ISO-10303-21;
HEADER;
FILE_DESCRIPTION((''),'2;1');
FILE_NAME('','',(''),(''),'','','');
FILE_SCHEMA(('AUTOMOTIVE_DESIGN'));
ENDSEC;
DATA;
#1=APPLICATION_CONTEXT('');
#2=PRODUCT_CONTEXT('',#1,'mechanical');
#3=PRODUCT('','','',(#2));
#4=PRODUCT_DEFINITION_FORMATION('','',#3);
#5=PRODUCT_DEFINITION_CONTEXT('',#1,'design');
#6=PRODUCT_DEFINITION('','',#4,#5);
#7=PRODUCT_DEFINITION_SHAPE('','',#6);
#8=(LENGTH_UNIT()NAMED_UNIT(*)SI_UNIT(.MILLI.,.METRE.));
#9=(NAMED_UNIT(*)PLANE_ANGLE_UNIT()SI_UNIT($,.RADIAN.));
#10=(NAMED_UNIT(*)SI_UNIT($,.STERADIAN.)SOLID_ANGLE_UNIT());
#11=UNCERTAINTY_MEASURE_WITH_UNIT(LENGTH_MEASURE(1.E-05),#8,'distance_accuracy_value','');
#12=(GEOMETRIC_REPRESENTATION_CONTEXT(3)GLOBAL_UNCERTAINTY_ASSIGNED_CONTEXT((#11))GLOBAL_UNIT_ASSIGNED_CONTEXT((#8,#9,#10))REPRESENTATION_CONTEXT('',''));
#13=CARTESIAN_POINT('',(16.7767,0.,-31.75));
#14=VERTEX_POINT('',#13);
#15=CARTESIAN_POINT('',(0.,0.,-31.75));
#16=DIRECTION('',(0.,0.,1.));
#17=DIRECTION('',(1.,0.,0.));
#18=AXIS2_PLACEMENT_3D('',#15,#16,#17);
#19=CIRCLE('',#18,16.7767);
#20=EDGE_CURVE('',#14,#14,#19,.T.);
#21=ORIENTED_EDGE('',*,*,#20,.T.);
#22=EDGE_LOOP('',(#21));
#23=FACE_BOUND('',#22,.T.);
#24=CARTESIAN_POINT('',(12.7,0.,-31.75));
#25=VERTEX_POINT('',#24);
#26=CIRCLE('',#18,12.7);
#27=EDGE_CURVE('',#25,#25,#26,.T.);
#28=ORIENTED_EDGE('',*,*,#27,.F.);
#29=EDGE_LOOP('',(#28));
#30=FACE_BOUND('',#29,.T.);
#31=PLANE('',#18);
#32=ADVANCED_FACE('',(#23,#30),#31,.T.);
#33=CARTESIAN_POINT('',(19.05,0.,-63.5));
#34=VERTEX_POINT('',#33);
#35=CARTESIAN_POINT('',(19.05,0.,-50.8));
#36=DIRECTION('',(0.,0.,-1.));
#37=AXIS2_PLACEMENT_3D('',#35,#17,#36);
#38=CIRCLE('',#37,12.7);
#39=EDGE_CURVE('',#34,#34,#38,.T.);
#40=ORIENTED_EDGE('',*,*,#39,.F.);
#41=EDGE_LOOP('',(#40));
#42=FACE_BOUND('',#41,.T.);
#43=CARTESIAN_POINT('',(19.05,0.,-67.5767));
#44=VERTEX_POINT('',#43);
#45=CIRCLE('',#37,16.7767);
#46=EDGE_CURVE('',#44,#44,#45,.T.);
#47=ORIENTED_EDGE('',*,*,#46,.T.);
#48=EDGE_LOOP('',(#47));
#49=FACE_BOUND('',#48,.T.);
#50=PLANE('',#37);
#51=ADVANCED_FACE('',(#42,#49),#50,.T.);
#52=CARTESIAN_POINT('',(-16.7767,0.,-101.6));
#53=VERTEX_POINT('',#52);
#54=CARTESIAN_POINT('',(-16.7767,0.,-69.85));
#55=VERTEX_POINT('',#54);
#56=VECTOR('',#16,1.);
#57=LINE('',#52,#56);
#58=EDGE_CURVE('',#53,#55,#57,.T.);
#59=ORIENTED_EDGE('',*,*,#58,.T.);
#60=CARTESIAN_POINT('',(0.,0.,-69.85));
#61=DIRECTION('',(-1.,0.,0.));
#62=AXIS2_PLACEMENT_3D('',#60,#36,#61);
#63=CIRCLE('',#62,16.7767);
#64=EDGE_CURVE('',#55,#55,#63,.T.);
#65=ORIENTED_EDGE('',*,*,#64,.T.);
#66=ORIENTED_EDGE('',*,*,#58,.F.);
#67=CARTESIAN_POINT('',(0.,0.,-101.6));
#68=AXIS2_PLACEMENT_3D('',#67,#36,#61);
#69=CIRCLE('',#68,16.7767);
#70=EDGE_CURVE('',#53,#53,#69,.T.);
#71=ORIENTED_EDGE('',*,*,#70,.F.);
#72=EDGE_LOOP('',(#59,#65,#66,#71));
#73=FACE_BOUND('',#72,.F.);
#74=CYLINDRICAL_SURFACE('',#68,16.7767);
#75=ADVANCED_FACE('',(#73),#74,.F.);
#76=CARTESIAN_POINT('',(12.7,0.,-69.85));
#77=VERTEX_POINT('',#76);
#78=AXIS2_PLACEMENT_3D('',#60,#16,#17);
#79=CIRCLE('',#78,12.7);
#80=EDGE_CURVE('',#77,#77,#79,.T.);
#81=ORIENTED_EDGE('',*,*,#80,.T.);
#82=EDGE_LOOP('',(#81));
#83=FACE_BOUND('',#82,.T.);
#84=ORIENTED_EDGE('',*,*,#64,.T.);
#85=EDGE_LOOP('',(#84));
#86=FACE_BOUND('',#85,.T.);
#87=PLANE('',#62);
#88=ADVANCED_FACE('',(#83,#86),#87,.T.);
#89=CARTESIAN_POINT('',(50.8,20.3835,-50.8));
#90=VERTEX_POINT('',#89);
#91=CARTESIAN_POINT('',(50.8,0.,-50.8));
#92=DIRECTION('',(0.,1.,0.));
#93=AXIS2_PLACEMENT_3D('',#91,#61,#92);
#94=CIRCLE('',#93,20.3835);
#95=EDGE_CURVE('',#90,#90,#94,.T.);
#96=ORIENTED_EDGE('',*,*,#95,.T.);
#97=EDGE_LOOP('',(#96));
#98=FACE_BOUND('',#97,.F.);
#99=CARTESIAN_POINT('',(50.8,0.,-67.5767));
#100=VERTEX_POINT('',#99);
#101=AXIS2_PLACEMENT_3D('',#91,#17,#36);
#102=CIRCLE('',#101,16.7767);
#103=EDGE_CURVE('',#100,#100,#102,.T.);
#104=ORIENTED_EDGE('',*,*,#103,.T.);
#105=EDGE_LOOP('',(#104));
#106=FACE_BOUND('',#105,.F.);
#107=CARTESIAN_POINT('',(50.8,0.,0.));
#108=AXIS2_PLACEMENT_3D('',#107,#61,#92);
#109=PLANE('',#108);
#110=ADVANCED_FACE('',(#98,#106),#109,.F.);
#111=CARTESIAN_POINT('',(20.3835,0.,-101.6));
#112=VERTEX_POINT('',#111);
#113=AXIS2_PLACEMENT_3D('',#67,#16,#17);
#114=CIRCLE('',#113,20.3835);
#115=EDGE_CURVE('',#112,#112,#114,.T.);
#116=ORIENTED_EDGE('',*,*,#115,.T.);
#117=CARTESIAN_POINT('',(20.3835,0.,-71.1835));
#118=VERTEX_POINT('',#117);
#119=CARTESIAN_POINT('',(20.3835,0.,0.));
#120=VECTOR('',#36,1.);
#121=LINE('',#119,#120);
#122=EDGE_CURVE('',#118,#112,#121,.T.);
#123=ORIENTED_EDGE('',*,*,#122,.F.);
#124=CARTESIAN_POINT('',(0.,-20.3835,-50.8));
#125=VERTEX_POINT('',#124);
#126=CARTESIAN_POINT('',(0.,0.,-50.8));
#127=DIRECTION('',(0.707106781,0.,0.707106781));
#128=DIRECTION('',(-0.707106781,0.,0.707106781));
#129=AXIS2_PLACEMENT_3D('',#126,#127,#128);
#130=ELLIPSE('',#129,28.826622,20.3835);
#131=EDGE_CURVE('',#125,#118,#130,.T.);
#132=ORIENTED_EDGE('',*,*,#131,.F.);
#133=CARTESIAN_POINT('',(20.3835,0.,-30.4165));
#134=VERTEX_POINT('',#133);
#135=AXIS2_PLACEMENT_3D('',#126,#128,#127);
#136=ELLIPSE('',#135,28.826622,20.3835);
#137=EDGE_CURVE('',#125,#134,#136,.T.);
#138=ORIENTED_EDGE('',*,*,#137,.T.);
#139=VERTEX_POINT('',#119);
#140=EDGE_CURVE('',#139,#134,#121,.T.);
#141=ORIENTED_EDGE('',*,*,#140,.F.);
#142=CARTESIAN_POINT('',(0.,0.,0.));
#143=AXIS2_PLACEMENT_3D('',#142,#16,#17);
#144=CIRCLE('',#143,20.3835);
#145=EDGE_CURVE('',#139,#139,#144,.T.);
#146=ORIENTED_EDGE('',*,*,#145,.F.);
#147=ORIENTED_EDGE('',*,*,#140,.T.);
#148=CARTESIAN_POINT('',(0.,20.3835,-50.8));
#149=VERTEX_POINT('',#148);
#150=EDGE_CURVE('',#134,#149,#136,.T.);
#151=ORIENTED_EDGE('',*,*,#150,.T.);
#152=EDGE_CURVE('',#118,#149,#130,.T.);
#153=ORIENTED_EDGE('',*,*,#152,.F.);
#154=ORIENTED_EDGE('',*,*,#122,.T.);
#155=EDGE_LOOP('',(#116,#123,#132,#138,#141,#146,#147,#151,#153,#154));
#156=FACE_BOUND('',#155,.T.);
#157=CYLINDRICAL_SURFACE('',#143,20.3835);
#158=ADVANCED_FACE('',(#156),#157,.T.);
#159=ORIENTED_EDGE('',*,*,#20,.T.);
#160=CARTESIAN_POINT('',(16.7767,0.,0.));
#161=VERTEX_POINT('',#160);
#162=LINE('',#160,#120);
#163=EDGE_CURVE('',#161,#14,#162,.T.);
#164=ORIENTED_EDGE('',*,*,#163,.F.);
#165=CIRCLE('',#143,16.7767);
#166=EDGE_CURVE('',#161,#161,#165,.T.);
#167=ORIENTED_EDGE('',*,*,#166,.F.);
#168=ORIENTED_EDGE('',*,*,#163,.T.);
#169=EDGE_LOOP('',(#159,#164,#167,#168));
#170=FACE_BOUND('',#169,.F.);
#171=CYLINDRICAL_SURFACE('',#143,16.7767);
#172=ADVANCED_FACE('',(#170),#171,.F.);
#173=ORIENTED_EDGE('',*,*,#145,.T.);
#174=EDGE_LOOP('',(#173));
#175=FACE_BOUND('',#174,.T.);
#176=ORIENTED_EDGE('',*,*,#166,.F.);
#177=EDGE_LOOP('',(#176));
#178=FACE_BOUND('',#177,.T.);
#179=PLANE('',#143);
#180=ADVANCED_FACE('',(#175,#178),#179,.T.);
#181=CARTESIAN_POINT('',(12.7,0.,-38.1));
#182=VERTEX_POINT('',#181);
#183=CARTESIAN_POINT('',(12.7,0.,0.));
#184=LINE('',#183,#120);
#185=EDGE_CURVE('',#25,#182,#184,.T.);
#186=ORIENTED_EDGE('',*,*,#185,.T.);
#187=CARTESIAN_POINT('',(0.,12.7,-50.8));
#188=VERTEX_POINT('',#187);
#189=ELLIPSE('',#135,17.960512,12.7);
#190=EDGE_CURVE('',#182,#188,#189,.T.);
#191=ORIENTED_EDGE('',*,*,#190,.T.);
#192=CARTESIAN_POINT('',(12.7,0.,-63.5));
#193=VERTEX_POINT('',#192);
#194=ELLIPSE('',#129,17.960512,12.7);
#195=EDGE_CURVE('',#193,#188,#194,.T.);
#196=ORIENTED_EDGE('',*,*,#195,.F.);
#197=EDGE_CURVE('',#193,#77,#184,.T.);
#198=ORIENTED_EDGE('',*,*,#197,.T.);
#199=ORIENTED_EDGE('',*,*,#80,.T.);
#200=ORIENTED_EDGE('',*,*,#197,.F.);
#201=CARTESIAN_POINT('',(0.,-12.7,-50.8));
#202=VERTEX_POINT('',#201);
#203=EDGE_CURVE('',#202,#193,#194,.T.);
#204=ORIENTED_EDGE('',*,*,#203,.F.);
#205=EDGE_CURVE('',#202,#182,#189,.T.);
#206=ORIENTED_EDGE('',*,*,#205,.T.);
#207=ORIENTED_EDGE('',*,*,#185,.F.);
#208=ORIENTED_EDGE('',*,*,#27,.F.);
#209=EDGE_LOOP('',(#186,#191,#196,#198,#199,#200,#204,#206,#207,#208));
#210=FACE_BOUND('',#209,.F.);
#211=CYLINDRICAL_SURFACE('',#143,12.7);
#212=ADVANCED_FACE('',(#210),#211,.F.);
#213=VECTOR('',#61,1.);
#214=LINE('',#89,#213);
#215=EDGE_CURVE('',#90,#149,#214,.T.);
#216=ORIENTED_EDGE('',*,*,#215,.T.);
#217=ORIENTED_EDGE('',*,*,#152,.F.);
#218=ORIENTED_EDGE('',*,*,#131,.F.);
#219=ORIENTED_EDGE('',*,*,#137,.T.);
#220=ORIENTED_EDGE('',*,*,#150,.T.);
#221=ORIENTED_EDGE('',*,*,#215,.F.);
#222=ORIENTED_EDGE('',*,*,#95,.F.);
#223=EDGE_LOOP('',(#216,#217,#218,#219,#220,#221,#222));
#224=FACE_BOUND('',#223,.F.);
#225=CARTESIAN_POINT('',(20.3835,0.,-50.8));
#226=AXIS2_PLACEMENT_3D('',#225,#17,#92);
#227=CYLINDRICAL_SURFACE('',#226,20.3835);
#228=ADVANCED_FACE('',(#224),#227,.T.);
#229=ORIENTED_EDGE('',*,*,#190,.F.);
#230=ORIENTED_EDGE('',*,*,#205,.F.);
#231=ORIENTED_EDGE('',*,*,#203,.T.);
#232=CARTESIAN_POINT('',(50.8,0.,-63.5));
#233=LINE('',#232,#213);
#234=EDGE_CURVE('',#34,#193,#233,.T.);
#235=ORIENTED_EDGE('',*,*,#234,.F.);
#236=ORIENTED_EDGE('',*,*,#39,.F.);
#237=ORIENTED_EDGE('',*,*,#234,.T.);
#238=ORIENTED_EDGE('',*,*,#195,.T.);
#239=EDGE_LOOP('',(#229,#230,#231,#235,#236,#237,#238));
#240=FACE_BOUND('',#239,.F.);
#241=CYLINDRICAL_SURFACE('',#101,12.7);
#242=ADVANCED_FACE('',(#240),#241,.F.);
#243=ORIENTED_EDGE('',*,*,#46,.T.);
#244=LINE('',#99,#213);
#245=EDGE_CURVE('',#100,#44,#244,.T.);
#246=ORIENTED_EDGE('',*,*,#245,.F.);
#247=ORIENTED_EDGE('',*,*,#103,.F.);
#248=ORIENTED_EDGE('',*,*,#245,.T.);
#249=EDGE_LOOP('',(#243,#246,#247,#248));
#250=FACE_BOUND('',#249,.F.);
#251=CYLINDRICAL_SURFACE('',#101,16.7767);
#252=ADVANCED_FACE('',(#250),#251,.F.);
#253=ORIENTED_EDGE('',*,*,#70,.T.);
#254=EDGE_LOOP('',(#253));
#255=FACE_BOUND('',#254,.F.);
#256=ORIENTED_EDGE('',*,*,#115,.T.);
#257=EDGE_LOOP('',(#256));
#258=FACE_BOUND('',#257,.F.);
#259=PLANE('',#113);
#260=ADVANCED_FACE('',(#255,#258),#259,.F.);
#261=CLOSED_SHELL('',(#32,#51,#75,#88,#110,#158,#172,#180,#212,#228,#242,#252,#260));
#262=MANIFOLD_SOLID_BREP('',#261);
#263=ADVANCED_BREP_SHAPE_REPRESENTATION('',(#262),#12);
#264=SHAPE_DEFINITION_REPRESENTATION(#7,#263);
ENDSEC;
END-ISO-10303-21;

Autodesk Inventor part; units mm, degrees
ref_plane "YZ Plane" through (0, 0, 0) normal (1, 0, 0) x (0, 1, 0)
ref_plane "XZ Plane" through (0, 0, 0) normal (0, 1, 0) x (-1, 0, 0)
sketch "Sketch1" plane through (0, 0, 0) normal (0, 0, 1) x (1, 0, 0)
  circle A0 centre (0, 0) radius 20.3835
  dimension "d0" = 40.767
extrude "Extrusion1" add sketch "Sketch1" against normal blind 101.6
sketch "Sketch2" plane through (0, 0, 0) normal (0, 0, 1) x (1, 0, 0)
  circle A0 centre (0, 0) radius 20.3835 projected
  line L0 (20.3835, 0) -> (20.3835, 20.3835)
sketch "Sketch3" plane through (0, 0, -101.6) normal (0, 0, -1) x (-1, 0, 0)
  circle A0 centre (0, 0) radius 20.3835 projected
  line L0 (-20.3835, 0) -> (-20.3835, 20.3835)
ref_plane "Work Plane1" through (20.3835, 0, 0) normal (-1, 0, 0) x (0, 1, 0)
sketch "Sketch4" plane through (20.3835, 0, 0) normal (-1, 0, 0) x (0, 1, 0)
  line L0 (20.3835, 101.6) -> (-20.3835, 101.6) projected
  circle A0 centre (0, 50.8) radius 20.3835
  line L1 (-20.3835, 0) -> (-20.3835, 101.6) projected
  point P0 (0, 0)
extrude "Extrusion2" add sketch "Sketch4" against normal blind 30.4165
extrude "Extrusion3" add sketch "Sketch4" along normal blind 20.3835
sketch "Sketch5" plane through (0, 0, 0) normal (0, 0, 1) x (1, 0, 0)
  circle A0 centre (0, 0) radius 16.7767
  dimension "d7" = 33.5534
sketch "Sketch6" plane through (0, 0, 0) normal (0, 0, 1) x (1, 0, 0)
  circle A0 centre (0, 0) radius 12.7
  dimension "d8" = 25.4
sketch "Sketch7" plane through (50.8, 0, -50.8) normal (1, 0, 0) x (0, 0, -1)
  circle A0 centre (0, 0) radius 16.7767
  point P0 (-50.8, 0)
  dimension "d9" = 33.5534
sketch "Sketch8" plane through (50.8, 0, -50.8) normal (1, 0, 0) x (0, 0, -1)
  circle A0 centre (0, 0) radius 12.7
  point P0 (-50.8, 0)
  dimension "d10" = 25.4
sketch "Sketch9" plane through (0, 0, -101.6) normal (0, 0, -1) x (-1, 0, 0)
  circle A0 centre (0, 0) radius 16.7767
  dimension "d11" = 33.5534
extrude "Extrusion4" cut sketch "Sketch9" against normal blind 31.75
extrude "Extrusion5" cut sketch "Sketch7" against normal blind 31.75
extrude "Extrusion6" cut sketch "Sketch5" against normal blind 31.75
extrude "Extrusion7" cut sketch "Sketch6" against normal blind 101.6
extrude "Extrusion8" cut sketch "Sketch8" against normal blind 50.8
properties part number "Tee 1 Inch"
